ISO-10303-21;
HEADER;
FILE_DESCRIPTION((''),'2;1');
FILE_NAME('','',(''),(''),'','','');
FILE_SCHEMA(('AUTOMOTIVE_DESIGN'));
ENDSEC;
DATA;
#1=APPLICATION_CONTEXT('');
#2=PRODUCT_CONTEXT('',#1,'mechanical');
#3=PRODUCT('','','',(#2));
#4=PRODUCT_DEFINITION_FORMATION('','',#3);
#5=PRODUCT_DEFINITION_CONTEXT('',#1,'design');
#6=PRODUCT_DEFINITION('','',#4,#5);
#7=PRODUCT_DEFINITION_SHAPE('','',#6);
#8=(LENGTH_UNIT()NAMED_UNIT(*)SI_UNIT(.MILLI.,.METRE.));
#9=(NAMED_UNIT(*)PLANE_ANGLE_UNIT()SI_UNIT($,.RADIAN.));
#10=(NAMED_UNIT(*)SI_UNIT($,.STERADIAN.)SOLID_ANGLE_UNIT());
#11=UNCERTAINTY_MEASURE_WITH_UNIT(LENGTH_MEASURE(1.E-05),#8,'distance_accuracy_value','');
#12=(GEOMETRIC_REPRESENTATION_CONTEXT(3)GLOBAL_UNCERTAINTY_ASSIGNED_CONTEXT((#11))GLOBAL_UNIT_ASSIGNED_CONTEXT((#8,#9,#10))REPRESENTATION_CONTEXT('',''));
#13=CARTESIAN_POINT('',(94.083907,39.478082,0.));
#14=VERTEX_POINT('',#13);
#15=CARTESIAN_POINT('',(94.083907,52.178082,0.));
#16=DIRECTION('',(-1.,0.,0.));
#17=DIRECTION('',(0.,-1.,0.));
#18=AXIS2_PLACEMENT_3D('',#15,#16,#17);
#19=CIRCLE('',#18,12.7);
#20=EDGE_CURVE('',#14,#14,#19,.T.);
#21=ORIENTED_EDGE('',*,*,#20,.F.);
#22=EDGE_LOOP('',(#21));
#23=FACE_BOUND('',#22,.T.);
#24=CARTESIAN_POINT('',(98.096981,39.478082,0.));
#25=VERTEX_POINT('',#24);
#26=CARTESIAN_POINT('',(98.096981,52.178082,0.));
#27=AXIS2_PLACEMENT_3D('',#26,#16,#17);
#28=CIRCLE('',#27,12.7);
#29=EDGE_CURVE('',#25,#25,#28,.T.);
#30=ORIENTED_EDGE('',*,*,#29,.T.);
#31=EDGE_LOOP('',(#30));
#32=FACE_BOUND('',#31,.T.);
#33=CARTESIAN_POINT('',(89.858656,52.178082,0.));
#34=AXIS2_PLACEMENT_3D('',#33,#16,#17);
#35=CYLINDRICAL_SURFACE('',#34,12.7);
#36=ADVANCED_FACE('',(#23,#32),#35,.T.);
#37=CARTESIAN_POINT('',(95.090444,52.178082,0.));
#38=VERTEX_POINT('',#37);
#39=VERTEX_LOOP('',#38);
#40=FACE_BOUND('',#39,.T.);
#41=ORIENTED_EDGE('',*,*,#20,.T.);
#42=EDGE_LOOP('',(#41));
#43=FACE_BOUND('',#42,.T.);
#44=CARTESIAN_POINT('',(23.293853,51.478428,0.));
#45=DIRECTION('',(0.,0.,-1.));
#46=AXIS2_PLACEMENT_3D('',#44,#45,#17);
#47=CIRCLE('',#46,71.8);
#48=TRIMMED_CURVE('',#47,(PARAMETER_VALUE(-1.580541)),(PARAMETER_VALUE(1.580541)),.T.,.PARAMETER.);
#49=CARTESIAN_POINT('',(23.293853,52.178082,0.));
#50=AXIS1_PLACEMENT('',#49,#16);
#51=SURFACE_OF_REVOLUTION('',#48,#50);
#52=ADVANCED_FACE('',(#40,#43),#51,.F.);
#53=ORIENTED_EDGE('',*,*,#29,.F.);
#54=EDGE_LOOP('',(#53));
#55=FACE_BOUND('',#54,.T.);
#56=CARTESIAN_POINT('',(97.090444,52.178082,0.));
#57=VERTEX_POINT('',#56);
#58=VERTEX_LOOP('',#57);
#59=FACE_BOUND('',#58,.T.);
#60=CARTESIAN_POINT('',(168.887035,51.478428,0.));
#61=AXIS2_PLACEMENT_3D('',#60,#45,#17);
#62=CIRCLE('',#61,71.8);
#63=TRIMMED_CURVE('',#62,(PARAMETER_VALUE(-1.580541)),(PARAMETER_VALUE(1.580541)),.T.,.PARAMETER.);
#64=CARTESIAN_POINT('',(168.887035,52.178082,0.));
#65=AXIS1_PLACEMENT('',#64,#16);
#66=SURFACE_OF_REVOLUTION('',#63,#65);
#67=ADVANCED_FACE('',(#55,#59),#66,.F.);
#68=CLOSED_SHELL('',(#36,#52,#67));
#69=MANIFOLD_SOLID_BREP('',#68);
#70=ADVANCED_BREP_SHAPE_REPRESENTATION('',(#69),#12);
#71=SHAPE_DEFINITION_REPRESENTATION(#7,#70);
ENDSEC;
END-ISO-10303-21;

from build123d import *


with BuildPart() as part:
    # 草图1 → 旋转1 (revolve)
    with BuildSketch(Plane.XY, mode=Mode.PRIVATE) as revolve_1_sk:
        with BuildLine():
            Line((97.090443968, 52.178082298), (95.090443968, 52.178082298))
            ThreePointArc((95.090443968, 52.178082298), (94.869409657, 58.550450751), (94.083906719, 64.878082298))
            Line((94.083906719, 64.878082298), (96.090443968, 64.878082298))
            Line((96.090443968, 64.878082298), (98.096981218, 64.878082298))
            ThreePointArc((98.096981218, 64.878082298), (97.31147828, 58.550450751), (97.090443968, 52.178082298))
        make_face()
    revolve(revolve_1_sk.sketch.rotate(Axis((89.858656454, 52.178082298, 0), (1, 0, 0)), 180), axis=Axis((89.858656454, 52.178082298, 0), (1, 0, 0)))  # turned: the seam where the file's is


solid = part.part
